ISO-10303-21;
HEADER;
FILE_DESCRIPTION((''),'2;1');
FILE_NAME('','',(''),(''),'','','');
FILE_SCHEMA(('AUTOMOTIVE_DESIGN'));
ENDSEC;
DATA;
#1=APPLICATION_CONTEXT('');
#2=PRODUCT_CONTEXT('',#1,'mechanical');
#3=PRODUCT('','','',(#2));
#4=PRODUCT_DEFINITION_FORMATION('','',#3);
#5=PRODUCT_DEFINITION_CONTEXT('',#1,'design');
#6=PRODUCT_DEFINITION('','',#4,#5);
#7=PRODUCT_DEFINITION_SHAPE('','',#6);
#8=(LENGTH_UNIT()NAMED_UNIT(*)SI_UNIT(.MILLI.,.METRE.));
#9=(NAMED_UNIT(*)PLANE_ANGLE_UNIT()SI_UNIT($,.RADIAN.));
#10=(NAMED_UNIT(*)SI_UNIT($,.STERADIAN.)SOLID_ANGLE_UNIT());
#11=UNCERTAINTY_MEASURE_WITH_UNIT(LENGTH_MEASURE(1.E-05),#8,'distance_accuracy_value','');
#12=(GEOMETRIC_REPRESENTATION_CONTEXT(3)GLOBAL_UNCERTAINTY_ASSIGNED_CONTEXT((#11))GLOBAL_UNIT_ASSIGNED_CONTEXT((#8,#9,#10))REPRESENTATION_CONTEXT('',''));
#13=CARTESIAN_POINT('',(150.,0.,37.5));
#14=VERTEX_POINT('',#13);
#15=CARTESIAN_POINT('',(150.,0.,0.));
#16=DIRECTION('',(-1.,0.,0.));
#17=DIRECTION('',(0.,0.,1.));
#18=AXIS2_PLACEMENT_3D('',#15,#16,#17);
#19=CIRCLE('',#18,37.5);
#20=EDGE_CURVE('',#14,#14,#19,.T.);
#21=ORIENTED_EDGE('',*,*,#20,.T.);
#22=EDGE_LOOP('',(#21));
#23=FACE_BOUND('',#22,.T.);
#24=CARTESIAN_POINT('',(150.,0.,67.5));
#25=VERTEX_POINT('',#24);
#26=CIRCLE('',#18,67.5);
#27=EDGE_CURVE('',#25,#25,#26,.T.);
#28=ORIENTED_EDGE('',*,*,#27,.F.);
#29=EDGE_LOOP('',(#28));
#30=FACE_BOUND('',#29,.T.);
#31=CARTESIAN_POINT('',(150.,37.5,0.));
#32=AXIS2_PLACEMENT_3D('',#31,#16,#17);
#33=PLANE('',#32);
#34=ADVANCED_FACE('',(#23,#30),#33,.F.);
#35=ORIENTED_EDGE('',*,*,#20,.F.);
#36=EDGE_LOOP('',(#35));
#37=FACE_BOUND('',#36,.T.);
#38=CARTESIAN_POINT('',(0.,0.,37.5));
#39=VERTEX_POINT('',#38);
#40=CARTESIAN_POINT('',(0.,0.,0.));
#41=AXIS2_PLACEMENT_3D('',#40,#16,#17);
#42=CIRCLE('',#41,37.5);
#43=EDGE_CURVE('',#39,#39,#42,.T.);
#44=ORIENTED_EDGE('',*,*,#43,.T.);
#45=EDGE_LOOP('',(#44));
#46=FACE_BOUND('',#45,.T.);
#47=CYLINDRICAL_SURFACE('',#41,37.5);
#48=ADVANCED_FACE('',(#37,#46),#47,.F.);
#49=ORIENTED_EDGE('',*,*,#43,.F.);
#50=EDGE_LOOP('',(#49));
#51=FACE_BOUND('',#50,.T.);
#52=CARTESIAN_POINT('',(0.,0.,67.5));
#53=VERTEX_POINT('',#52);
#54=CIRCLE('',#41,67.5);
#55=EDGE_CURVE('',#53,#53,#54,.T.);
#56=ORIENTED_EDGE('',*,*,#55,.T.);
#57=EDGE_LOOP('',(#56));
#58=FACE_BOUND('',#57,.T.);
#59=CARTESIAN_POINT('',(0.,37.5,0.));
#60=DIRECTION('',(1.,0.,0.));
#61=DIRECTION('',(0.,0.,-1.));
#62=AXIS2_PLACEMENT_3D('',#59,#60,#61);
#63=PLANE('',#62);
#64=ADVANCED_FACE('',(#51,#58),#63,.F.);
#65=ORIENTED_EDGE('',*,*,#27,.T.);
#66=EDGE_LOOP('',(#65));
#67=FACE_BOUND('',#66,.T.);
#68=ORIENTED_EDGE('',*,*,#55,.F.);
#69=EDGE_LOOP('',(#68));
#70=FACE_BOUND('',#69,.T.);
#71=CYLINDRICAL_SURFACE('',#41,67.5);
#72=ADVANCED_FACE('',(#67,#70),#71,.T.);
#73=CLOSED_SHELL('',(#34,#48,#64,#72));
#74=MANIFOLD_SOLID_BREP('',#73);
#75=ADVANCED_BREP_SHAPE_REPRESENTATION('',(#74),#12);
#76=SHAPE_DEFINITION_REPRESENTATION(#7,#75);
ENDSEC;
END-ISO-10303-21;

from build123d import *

# Parameters (mm, degrees)
SKETCH_1_W = 150
SKETCH_1_H = 30


with BuildPart() as part:
    # Эскиз1 → Повернуть1 (revolve)
    with BuildSketch(Plane.XY, mode=Mode.PRIVATE) as revolve_1_sk:
        with Locations((75, 52.5)):
            Rectangle(SKETCH_1_W, SKETCH_1_H)
    revolve(revolve_1_sk.sketch.rotate(Axis((0, 0, 0), (1, 0, 0)), 90), axis=Axis((0, 0, 0), (1, 0, 0)))


solid = part.part
